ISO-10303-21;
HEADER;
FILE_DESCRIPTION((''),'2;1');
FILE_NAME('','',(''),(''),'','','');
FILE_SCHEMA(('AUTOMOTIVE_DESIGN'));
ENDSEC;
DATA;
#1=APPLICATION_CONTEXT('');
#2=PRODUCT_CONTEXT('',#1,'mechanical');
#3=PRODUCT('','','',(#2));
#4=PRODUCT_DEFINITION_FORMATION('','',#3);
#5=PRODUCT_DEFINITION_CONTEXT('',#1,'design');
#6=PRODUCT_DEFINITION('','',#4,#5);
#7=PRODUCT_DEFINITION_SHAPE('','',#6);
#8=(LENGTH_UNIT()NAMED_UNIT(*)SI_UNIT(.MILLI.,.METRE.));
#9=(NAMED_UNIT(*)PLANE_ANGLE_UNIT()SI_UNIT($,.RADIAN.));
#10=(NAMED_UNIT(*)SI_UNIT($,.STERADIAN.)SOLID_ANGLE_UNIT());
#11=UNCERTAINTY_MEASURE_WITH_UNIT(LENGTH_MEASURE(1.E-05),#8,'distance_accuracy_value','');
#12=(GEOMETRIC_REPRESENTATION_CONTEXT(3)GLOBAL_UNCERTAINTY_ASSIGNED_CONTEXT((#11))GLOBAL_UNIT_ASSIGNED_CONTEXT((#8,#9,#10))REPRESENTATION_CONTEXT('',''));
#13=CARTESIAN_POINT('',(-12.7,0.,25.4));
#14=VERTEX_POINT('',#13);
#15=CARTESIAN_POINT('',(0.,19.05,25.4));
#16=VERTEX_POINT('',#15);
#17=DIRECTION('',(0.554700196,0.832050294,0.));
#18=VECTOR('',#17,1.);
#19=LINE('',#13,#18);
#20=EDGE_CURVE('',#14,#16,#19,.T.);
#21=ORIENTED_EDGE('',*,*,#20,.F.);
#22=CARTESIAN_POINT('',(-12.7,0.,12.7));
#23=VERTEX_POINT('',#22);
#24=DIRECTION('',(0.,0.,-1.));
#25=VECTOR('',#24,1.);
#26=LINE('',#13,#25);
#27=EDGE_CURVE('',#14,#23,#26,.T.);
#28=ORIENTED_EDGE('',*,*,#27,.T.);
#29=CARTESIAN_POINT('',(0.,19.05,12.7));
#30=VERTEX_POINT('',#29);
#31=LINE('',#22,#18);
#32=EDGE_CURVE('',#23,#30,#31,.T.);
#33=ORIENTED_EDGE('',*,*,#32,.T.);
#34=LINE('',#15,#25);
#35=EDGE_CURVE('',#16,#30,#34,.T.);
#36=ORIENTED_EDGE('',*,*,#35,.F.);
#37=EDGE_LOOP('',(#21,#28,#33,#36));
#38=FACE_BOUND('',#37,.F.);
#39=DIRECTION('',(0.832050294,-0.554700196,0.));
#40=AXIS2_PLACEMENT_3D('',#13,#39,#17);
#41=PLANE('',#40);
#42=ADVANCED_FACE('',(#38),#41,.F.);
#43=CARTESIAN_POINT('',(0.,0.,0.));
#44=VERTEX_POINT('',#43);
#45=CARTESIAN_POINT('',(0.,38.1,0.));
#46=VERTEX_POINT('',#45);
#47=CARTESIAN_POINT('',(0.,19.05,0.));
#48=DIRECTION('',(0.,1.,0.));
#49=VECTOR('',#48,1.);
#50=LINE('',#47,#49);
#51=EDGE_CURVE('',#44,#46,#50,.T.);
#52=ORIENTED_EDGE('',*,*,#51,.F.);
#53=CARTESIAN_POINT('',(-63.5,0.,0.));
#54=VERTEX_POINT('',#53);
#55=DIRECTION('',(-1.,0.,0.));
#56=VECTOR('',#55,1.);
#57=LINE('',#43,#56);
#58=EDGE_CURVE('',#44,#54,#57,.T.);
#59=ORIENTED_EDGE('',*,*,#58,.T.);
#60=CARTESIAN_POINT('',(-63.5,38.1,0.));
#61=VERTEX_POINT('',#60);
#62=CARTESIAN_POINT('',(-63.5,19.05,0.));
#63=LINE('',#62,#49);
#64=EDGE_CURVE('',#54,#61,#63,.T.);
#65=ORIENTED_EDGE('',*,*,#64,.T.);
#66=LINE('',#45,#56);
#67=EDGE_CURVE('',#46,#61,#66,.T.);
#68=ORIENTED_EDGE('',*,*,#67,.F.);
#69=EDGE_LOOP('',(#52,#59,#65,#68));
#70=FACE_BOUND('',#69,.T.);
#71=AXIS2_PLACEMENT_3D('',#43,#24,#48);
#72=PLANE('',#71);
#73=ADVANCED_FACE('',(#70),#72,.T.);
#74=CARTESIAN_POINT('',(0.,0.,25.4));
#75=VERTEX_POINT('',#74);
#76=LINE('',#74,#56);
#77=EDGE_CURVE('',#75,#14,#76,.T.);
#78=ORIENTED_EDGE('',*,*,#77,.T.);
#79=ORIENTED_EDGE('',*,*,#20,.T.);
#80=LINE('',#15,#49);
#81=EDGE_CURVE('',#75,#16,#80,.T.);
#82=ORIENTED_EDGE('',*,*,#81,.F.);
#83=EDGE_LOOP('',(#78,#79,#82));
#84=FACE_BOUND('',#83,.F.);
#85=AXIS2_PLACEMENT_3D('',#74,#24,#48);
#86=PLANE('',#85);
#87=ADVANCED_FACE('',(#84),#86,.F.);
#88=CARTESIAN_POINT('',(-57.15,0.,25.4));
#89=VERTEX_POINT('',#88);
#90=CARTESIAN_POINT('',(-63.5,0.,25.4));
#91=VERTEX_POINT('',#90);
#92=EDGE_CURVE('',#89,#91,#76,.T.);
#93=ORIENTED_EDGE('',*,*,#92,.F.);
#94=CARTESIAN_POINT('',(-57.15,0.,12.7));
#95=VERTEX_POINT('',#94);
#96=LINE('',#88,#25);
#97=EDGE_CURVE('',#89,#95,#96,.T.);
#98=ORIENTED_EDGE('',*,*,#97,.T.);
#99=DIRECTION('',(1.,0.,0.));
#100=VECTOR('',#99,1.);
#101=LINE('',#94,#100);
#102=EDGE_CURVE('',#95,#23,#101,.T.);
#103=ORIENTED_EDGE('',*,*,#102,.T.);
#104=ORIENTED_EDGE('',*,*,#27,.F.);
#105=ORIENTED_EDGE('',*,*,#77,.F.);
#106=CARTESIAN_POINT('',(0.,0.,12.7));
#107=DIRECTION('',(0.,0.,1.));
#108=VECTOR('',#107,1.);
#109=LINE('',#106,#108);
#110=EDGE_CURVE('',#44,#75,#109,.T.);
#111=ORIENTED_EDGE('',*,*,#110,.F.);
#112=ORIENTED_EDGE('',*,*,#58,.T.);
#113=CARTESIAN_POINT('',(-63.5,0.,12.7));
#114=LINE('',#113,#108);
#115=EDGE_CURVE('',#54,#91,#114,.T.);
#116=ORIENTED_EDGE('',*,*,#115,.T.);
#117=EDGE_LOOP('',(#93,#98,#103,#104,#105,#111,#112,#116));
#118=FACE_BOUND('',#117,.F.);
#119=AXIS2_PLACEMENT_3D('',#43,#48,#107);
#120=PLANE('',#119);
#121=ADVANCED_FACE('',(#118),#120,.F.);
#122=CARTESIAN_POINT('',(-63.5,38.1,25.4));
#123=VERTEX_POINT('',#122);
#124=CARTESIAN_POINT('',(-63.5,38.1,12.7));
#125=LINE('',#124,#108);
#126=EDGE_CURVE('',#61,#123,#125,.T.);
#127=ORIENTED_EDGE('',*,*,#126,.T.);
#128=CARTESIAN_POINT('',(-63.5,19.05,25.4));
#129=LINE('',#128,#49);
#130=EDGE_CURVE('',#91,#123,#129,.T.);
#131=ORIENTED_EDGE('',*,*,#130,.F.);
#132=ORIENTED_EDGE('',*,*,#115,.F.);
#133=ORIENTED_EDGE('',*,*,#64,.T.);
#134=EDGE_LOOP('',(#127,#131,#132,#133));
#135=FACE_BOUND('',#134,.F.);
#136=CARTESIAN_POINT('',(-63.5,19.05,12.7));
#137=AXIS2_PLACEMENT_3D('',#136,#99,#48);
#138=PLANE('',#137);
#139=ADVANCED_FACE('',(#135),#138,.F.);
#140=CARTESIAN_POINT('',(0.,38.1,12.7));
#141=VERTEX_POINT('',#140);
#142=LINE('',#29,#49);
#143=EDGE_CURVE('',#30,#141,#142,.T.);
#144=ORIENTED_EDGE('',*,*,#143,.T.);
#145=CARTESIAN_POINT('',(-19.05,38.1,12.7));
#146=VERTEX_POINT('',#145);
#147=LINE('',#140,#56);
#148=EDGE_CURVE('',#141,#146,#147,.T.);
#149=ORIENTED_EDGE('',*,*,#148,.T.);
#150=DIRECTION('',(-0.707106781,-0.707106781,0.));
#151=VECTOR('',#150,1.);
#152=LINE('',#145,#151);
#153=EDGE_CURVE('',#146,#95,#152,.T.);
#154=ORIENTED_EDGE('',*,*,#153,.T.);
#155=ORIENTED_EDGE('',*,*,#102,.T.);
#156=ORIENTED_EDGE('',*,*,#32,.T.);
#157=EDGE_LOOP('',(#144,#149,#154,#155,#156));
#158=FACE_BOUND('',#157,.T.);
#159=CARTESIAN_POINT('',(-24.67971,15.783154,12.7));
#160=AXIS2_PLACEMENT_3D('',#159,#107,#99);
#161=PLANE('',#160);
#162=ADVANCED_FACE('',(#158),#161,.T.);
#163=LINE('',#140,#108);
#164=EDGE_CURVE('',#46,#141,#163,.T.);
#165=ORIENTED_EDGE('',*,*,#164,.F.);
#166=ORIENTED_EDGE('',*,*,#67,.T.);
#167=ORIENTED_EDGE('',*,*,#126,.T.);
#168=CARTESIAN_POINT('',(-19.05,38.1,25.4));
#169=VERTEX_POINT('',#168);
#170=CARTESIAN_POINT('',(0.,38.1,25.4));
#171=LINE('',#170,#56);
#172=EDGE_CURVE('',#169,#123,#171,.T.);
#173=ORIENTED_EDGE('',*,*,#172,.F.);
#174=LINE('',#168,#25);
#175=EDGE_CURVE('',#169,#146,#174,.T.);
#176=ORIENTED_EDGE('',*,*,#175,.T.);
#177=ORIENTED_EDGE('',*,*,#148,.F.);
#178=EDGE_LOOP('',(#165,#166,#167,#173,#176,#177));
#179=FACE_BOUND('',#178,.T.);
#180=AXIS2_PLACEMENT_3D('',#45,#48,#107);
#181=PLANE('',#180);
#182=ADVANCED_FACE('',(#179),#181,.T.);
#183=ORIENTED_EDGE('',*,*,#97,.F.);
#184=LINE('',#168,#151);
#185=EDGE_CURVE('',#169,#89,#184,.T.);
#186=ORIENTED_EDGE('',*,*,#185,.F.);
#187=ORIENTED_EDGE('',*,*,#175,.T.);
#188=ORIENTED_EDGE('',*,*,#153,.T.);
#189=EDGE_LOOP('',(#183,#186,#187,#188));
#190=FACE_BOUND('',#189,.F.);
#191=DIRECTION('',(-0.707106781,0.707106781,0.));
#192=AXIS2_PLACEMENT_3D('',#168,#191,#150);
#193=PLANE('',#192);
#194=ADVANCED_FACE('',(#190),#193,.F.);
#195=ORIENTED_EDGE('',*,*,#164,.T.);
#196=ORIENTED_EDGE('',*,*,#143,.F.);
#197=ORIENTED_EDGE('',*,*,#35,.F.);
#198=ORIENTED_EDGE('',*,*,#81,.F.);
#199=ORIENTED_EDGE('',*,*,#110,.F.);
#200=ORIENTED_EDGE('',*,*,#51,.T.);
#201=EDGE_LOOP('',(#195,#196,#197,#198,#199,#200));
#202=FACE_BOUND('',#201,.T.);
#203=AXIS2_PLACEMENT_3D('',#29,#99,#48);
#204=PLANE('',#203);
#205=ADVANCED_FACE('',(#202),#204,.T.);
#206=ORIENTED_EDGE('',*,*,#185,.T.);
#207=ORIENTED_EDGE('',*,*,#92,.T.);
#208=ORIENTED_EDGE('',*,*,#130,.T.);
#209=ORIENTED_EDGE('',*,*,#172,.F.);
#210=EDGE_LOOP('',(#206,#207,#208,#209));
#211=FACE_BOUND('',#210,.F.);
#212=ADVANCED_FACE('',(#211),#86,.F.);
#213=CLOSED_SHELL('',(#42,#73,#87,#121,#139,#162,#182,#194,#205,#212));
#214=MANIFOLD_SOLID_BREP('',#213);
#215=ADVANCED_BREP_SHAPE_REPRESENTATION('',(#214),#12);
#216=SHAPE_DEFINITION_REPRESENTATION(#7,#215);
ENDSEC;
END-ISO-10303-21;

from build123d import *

# Parameters (mm, degrees)
F0_W     = 38.1
F0_H     = 25.4
F1_DEPTH = 63.5
F7_DEPTH = 12.7


with BuildPart() as f1:
    # F0 (on Right) → F1 (new body)
    with BuildSketch(Plane.YZ):
        with Locations((19.05, 12.7)):
            Rectangle(F0_W, F0_H)
    extrude(amount=-F1_DEPTH)

    # F6 (on face) → F7 (cut)
    with BuildSketch(Plane.XY.offset(25.4)):
        Polygon((-12.7, 0), (0, 19.05), (0, 38.1), (-19.05, 38.1), (-57.15, 0), align=None)
    extrude(amount=-F7_DEPTH, mode=Mode.SUBTRACT)


solid = f1.part
